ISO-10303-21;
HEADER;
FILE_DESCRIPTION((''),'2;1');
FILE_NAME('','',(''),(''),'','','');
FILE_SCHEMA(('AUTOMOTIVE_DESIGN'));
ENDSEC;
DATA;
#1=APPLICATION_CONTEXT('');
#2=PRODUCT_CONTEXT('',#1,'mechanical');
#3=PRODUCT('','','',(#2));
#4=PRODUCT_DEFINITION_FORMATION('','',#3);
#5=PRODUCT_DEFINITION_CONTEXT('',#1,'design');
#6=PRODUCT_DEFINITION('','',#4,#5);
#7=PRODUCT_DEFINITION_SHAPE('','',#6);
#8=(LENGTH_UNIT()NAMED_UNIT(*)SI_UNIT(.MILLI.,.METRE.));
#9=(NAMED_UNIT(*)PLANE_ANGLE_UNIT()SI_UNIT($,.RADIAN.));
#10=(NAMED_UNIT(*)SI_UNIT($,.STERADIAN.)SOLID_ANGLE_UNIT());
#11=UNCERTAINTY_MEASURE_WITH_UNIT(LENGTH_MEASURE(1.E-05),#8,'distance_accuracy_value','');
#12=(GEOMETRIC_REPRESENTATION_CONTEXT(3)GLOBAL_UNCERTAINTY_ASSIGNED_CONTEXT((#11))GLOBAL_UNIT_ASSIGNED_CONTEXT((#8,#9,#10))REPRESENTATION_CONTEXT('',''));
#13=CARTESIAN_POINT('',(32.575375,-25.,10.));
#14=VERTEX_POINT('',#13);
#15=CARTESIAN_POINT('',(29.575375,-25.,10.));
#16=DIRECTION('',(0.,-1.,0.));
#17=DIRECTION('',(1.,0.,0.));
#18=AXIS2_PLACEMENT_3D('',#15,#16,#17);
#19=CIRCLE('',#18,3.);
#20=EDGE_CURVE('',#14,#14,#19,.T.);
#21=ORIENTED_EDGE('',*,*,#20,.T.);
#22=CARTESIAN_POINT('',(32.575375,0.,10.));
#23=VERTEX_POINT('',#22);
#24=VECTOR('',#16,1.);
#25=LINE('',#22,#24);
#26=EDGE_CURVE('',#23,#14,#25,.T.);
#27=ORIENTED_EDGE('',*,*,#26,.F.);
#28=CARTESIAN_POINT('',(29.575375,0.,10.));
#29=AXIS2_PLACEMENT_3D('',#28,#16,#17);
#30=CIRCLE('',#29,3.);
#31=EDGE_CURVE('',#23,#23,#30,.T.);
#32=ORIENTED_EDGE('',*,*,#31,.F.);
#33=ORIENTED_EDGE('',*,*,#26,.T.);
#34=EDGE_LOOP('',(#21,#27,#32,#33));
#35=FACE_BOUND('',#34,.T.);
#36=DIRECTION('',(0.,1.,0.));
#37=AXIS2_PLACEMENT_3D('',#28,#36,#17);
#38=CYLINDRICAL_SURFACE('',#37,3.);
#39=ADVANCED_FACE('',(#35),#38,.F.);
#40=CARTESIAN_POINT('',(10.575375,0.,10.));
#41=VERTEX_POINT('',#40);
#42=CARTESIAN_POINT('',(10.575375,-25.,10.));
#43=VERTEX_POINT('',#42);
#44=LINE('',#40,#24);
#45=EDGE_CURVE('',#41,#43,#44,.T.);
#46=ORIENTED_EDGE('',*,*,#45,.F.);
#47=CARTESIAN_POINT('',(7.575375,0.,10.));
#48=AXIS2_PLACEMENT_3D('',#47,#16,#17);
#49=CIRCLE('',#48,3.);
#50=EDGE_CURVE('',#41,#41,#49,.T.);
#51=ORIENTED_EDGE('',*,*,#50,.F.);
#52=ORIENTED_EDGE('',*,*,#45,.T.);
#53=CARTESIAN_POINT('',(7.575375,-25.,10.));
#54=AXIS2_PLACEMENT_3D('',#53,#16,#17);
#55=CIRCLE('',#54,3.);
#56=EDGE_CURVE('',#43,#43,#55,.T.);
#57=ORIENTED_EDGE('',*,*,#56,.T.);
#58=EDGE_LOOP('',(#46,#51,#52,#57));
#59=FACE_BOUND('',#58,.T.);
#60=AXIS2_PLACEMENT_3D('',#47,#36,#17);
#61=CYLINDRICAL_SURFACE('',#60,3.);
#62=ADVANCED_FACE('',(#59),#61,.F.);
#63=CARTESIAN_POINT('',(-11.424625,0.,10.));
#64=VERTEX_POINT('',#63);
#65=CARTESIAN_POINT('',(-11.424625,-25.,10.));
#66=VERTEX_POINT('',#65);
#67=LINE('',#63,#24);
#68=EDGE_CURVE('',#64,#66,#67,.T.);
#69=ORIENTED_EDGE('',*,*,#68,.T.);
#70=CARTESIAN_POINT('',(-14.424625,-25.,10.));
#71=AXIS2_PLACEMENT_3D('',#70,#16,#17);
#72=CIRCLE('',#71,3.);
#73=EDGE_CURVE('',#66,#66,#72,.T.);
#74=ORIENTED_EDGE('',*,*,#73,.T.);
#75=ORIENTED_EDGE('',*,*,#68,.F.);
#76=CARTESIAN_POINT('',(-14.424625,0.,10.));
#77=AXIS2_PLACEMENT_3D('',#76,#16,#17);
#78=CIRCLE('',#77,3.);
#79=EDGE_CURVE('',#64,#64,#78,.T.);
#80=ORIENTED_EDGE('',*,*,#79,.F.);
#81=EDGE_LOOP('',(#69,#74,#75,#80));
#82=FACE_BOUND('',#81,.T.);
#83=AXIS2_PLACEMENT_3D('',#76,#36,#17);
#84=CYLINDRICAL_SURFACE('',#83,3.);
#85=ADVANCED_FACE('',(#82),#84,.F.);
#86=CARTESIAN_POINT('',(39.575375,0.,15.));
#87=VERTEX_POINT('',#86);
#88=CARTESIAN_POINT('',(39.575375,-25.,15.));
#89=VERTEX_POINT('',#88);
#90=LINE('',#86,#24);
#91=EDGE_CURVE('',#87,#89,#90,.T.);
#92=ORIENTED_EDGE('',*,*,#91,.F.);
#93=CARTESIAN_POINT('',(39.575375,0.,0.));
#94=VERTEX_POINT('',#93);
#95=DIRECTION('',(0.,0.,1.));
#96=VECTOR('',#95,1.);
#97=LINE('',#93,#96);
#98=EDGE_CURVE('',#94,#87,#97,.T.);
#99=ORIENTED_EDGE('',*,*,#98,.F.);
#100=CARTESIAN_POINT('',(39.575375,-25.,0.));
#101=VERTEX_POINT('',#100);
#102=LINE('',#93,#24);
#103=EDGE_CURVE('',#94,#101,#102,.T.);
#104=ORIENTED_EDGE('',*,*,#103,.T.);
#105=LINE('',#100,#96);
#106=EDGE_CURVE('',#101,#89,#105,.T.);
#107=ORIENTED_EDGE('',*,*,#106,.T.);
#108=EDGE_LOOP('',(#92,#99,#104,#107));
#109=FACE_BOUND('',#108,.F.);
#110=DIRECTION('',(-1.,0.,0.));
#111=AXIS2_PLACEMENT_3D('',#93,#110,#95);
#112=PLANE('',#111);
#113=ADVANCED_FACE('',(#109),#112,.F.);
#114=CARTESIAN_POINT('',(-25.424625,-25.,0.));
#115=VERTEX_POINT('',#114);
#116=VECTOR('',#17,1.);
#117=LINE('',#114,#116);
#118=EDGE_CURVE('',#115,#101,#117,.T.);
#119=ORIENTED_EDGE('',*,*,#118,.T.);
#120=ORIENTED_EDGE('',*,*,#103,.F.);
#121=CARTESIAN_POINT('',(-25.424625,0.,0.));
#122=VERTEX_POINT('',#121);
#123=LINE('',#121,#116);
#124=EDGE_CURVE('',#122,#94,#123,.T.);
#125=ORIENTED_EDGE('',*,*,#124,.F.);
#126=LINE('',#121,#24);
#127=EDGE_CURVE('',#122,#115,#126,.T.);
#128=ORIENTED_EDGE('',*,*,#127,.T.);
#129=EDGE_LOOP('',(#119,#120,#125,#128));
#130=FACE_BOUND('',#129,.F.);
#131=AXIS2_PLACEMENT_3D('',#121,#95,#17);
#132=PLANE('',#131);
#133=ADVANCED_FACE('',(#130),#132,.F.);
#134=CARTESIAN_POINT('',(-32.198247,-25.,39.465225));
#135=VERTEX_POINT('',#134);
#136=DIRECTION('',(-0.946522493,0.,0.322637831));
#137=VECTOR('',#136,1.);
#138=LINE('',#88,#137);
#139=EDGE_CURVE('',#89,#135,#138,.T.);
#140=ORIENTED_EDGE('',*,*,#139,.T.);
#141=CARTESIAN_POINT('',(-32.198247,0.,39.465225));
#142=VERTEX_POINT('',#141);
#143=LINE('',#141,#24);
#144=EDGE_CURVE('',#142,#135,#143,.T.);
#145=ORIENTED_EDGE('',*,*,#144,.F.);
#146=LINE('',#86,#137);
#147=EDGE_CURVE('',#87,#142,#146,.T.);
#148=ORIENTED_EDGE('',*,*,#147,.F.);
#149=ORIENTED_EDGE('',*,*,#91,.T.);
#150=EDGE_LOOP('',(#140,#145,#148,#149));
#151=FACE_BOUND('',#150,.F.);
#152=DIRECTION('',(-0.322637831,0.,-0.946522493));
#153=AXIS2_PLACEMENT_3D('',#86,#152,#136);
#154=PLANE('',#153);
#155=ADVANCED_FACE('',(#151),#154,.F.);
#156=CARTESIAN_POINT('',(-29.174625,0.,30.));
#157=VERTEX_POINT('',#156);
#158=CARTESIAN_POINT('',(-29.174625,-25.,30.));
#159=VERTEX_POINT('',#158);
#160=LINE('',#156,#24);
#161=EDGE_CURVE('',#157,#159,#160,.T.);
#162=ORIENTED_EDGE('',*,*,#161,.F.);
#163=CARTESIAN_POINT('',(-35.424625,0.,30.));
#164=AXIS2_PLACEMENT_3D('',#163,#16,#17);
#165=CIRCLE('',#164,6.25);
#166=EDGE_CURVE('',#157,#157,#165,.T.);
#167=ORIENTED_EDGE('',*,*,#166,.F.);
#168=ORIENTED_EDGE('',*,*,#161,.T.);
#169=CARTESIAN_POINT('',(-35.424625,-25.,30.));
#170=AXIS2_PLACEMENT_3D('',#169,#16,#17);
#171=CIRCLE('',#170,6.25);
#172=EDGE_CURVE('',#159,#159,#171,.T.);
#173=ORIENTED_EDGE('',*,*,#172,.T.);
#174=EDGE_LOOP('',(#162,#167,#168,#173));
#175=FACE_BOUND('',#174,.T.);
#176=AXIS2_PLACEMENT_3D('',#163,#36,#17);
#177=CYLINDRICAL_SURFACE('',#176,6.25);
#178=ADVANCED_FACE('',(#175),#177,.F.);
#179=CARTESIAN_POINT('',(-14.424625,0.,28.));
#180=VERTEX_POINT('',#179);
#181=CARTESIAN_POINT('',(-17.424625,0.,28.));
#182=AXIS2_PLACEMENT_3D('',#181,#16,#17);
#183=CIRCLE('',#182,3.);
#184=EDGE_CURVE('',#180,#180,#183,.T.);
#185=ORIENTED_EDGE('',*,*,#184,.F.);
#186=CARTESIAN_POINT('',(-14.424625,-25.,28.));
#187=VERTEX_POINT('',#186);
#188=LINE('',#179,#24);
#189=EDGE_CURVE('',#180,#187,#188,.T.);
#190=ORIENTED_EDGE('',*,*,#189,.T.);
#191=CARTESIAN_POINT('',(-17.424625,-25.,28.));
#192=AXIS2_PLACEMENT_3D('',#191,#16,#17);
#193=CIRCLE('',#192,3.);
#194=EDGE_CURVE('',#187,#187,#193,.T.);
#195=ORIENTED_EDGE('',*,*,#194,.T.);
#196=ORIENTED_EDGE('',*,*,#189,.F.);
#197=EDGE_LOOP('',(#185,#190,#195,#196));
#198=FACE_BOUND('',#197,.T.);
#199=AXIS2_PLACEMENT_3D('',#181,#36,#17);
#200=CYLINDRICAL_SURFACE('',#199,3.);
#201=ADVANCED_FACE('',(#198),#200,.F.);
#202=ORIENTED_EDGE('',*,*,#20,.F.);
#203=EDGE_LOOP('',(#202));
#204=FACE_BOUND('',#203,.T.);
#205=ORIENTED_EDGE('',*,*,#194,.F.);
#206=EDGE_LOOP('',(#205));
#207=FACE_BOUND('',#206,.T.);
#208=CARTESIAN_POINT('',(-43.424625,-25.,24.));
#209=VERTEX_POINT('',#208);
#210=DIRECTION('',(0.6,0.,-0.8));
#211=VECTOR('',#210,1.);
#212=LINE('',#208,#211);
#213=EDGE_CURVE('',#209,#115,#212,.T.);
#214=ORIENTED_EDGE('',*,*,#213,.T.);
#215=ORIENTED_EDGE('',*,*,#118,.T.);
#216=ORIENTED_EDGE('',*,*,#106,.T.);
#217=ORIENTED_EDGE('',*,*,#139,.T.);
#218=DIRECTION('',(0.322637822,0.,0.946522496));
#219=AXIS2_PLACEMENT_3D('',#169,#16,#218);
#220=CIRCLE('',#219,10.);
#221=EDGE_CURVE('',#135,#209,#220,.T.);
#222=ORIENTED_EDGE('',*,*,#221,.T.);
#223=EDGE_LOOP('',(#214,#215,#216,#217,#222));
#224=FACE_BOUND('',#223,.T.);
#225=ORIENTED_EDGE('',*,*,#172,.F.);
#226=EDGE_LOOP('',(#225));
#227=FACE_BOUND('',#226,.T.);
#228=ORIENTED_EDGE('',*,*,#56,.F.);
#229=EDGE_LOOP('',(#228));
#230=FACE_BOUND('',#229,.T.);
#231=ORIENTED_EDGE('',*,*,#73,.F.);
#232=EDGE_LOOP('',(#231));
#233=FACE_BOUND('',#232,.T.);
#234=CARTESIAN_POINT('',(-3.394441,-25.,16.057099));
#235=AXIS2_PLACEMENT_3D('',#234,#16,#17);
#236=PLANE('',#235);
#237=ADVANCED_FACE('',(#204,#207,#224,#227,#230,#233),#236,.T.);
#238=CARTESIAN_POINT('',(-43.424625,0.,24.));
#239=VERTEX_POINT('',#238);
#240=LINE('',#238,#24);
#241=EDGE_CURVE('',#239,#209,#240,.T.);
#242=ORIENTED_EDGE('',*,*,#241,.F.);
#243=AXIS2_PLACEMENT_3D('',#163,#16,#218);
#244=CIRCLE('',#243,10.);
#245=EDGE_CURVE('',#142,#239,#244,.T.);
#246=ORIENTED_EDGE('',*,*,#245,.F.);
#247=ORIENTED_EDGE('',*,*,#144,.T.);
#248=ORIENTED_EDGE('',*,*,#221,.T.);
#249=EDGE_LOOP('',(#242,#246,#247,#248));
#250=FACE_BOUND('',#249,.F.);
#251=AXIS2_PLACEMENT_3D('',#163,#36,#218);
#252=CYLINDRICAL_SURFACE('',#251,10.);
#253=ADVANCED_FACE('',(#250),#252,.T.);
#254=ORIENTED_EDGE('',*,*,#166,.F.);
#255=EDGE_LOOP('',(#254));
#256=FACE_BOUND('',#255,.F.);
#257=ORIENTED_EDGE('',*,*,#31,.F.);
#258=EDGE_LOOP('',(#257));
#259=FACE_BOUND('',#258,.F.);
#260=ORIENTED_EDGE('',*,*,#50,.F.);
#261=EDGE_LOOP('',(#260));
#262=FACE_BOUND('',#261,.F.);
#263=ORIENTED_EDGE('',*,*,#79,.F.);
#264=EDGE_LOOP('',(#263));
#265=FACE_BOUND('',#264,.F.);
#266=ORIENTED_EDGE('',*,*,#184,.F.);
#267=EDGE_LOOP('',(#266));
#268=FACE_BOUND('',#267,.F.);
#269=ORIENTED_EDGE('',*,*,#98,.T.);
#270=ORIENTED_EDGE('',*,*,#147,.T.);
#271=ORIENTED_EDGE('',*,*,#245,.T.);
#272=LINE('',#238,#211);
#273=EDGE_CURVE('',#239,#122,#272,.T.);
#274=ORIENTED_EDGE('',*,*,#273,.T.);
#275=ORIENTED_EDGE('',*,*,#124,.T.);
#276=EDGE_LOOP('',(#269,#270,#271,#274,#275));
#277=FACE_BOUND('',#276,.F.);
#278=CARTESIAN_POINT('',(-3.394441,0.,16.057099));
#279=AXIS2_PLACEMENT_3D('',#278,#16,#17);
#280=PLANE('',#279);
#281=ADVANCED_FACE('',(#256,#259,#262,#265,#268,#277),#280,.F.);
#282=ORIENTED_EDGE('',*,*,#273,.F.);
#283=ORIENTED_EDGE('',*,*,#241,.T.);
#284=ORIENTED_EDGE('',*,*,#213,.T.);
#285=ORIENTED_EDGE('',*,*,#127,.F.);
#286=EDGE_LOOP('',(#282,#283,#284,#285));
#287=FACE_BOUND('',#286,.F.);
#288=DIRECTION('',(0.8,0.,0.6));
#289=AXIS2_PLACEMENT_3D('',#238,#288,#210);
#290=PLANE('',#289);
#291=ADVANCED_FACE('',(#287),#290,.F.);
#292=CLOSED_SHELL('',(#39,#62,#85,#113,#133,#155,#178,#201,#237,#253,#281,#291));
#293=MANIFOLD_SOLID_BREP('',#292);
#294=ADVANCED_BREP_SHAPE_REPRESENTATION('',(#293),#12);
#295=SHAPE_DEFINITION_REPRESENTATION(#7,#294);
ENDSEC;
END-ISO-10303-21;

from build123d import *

# Parameters (mm, degrees)
F0_R     = 3
F0_R_2   = 6.25
F1_DEPTH = 25


with BuildPart() as f1:
    # F0 (on Front) → F1 (new body)
    with BuildSketch(Plane.XZ):
        with BuildLine():
            Line((-25.424625, 0), (39.575375, 0))
            Line((39.575375, 0), (39.575375, 15))
            Line((39.575375, 15), (-32.198247, 39.465225))
            ThreePointArc((-32.198247, 39.465225), (-43.517224, 35.874508), (-43.424625, 24))
            Line((-43.424625, 24), (-25.424625, 0))
        make_face()
        with Locations((-14.424625, 10)):
            Circle(F0_R, mode=Mode.SUBTRACT)
        with Locations((7.575375, 10)):
            Circle(F0_R, mode=Mode.SUBTRACT)
        with Locations((29.575375, 10)):
            Circle(F0_R, mode=Mode.SUBTRACT)
        with Locations((-17.424625, 28)):
            Circle(F0_R, mode=Mode.SUBTRACT)
        with Locations((-35.424625, 30)):
            Circle(F0_R_2, mode=Mode.SUBTRACT)
    extrude(amount=F1_DEPTH)


solid = f1.part
